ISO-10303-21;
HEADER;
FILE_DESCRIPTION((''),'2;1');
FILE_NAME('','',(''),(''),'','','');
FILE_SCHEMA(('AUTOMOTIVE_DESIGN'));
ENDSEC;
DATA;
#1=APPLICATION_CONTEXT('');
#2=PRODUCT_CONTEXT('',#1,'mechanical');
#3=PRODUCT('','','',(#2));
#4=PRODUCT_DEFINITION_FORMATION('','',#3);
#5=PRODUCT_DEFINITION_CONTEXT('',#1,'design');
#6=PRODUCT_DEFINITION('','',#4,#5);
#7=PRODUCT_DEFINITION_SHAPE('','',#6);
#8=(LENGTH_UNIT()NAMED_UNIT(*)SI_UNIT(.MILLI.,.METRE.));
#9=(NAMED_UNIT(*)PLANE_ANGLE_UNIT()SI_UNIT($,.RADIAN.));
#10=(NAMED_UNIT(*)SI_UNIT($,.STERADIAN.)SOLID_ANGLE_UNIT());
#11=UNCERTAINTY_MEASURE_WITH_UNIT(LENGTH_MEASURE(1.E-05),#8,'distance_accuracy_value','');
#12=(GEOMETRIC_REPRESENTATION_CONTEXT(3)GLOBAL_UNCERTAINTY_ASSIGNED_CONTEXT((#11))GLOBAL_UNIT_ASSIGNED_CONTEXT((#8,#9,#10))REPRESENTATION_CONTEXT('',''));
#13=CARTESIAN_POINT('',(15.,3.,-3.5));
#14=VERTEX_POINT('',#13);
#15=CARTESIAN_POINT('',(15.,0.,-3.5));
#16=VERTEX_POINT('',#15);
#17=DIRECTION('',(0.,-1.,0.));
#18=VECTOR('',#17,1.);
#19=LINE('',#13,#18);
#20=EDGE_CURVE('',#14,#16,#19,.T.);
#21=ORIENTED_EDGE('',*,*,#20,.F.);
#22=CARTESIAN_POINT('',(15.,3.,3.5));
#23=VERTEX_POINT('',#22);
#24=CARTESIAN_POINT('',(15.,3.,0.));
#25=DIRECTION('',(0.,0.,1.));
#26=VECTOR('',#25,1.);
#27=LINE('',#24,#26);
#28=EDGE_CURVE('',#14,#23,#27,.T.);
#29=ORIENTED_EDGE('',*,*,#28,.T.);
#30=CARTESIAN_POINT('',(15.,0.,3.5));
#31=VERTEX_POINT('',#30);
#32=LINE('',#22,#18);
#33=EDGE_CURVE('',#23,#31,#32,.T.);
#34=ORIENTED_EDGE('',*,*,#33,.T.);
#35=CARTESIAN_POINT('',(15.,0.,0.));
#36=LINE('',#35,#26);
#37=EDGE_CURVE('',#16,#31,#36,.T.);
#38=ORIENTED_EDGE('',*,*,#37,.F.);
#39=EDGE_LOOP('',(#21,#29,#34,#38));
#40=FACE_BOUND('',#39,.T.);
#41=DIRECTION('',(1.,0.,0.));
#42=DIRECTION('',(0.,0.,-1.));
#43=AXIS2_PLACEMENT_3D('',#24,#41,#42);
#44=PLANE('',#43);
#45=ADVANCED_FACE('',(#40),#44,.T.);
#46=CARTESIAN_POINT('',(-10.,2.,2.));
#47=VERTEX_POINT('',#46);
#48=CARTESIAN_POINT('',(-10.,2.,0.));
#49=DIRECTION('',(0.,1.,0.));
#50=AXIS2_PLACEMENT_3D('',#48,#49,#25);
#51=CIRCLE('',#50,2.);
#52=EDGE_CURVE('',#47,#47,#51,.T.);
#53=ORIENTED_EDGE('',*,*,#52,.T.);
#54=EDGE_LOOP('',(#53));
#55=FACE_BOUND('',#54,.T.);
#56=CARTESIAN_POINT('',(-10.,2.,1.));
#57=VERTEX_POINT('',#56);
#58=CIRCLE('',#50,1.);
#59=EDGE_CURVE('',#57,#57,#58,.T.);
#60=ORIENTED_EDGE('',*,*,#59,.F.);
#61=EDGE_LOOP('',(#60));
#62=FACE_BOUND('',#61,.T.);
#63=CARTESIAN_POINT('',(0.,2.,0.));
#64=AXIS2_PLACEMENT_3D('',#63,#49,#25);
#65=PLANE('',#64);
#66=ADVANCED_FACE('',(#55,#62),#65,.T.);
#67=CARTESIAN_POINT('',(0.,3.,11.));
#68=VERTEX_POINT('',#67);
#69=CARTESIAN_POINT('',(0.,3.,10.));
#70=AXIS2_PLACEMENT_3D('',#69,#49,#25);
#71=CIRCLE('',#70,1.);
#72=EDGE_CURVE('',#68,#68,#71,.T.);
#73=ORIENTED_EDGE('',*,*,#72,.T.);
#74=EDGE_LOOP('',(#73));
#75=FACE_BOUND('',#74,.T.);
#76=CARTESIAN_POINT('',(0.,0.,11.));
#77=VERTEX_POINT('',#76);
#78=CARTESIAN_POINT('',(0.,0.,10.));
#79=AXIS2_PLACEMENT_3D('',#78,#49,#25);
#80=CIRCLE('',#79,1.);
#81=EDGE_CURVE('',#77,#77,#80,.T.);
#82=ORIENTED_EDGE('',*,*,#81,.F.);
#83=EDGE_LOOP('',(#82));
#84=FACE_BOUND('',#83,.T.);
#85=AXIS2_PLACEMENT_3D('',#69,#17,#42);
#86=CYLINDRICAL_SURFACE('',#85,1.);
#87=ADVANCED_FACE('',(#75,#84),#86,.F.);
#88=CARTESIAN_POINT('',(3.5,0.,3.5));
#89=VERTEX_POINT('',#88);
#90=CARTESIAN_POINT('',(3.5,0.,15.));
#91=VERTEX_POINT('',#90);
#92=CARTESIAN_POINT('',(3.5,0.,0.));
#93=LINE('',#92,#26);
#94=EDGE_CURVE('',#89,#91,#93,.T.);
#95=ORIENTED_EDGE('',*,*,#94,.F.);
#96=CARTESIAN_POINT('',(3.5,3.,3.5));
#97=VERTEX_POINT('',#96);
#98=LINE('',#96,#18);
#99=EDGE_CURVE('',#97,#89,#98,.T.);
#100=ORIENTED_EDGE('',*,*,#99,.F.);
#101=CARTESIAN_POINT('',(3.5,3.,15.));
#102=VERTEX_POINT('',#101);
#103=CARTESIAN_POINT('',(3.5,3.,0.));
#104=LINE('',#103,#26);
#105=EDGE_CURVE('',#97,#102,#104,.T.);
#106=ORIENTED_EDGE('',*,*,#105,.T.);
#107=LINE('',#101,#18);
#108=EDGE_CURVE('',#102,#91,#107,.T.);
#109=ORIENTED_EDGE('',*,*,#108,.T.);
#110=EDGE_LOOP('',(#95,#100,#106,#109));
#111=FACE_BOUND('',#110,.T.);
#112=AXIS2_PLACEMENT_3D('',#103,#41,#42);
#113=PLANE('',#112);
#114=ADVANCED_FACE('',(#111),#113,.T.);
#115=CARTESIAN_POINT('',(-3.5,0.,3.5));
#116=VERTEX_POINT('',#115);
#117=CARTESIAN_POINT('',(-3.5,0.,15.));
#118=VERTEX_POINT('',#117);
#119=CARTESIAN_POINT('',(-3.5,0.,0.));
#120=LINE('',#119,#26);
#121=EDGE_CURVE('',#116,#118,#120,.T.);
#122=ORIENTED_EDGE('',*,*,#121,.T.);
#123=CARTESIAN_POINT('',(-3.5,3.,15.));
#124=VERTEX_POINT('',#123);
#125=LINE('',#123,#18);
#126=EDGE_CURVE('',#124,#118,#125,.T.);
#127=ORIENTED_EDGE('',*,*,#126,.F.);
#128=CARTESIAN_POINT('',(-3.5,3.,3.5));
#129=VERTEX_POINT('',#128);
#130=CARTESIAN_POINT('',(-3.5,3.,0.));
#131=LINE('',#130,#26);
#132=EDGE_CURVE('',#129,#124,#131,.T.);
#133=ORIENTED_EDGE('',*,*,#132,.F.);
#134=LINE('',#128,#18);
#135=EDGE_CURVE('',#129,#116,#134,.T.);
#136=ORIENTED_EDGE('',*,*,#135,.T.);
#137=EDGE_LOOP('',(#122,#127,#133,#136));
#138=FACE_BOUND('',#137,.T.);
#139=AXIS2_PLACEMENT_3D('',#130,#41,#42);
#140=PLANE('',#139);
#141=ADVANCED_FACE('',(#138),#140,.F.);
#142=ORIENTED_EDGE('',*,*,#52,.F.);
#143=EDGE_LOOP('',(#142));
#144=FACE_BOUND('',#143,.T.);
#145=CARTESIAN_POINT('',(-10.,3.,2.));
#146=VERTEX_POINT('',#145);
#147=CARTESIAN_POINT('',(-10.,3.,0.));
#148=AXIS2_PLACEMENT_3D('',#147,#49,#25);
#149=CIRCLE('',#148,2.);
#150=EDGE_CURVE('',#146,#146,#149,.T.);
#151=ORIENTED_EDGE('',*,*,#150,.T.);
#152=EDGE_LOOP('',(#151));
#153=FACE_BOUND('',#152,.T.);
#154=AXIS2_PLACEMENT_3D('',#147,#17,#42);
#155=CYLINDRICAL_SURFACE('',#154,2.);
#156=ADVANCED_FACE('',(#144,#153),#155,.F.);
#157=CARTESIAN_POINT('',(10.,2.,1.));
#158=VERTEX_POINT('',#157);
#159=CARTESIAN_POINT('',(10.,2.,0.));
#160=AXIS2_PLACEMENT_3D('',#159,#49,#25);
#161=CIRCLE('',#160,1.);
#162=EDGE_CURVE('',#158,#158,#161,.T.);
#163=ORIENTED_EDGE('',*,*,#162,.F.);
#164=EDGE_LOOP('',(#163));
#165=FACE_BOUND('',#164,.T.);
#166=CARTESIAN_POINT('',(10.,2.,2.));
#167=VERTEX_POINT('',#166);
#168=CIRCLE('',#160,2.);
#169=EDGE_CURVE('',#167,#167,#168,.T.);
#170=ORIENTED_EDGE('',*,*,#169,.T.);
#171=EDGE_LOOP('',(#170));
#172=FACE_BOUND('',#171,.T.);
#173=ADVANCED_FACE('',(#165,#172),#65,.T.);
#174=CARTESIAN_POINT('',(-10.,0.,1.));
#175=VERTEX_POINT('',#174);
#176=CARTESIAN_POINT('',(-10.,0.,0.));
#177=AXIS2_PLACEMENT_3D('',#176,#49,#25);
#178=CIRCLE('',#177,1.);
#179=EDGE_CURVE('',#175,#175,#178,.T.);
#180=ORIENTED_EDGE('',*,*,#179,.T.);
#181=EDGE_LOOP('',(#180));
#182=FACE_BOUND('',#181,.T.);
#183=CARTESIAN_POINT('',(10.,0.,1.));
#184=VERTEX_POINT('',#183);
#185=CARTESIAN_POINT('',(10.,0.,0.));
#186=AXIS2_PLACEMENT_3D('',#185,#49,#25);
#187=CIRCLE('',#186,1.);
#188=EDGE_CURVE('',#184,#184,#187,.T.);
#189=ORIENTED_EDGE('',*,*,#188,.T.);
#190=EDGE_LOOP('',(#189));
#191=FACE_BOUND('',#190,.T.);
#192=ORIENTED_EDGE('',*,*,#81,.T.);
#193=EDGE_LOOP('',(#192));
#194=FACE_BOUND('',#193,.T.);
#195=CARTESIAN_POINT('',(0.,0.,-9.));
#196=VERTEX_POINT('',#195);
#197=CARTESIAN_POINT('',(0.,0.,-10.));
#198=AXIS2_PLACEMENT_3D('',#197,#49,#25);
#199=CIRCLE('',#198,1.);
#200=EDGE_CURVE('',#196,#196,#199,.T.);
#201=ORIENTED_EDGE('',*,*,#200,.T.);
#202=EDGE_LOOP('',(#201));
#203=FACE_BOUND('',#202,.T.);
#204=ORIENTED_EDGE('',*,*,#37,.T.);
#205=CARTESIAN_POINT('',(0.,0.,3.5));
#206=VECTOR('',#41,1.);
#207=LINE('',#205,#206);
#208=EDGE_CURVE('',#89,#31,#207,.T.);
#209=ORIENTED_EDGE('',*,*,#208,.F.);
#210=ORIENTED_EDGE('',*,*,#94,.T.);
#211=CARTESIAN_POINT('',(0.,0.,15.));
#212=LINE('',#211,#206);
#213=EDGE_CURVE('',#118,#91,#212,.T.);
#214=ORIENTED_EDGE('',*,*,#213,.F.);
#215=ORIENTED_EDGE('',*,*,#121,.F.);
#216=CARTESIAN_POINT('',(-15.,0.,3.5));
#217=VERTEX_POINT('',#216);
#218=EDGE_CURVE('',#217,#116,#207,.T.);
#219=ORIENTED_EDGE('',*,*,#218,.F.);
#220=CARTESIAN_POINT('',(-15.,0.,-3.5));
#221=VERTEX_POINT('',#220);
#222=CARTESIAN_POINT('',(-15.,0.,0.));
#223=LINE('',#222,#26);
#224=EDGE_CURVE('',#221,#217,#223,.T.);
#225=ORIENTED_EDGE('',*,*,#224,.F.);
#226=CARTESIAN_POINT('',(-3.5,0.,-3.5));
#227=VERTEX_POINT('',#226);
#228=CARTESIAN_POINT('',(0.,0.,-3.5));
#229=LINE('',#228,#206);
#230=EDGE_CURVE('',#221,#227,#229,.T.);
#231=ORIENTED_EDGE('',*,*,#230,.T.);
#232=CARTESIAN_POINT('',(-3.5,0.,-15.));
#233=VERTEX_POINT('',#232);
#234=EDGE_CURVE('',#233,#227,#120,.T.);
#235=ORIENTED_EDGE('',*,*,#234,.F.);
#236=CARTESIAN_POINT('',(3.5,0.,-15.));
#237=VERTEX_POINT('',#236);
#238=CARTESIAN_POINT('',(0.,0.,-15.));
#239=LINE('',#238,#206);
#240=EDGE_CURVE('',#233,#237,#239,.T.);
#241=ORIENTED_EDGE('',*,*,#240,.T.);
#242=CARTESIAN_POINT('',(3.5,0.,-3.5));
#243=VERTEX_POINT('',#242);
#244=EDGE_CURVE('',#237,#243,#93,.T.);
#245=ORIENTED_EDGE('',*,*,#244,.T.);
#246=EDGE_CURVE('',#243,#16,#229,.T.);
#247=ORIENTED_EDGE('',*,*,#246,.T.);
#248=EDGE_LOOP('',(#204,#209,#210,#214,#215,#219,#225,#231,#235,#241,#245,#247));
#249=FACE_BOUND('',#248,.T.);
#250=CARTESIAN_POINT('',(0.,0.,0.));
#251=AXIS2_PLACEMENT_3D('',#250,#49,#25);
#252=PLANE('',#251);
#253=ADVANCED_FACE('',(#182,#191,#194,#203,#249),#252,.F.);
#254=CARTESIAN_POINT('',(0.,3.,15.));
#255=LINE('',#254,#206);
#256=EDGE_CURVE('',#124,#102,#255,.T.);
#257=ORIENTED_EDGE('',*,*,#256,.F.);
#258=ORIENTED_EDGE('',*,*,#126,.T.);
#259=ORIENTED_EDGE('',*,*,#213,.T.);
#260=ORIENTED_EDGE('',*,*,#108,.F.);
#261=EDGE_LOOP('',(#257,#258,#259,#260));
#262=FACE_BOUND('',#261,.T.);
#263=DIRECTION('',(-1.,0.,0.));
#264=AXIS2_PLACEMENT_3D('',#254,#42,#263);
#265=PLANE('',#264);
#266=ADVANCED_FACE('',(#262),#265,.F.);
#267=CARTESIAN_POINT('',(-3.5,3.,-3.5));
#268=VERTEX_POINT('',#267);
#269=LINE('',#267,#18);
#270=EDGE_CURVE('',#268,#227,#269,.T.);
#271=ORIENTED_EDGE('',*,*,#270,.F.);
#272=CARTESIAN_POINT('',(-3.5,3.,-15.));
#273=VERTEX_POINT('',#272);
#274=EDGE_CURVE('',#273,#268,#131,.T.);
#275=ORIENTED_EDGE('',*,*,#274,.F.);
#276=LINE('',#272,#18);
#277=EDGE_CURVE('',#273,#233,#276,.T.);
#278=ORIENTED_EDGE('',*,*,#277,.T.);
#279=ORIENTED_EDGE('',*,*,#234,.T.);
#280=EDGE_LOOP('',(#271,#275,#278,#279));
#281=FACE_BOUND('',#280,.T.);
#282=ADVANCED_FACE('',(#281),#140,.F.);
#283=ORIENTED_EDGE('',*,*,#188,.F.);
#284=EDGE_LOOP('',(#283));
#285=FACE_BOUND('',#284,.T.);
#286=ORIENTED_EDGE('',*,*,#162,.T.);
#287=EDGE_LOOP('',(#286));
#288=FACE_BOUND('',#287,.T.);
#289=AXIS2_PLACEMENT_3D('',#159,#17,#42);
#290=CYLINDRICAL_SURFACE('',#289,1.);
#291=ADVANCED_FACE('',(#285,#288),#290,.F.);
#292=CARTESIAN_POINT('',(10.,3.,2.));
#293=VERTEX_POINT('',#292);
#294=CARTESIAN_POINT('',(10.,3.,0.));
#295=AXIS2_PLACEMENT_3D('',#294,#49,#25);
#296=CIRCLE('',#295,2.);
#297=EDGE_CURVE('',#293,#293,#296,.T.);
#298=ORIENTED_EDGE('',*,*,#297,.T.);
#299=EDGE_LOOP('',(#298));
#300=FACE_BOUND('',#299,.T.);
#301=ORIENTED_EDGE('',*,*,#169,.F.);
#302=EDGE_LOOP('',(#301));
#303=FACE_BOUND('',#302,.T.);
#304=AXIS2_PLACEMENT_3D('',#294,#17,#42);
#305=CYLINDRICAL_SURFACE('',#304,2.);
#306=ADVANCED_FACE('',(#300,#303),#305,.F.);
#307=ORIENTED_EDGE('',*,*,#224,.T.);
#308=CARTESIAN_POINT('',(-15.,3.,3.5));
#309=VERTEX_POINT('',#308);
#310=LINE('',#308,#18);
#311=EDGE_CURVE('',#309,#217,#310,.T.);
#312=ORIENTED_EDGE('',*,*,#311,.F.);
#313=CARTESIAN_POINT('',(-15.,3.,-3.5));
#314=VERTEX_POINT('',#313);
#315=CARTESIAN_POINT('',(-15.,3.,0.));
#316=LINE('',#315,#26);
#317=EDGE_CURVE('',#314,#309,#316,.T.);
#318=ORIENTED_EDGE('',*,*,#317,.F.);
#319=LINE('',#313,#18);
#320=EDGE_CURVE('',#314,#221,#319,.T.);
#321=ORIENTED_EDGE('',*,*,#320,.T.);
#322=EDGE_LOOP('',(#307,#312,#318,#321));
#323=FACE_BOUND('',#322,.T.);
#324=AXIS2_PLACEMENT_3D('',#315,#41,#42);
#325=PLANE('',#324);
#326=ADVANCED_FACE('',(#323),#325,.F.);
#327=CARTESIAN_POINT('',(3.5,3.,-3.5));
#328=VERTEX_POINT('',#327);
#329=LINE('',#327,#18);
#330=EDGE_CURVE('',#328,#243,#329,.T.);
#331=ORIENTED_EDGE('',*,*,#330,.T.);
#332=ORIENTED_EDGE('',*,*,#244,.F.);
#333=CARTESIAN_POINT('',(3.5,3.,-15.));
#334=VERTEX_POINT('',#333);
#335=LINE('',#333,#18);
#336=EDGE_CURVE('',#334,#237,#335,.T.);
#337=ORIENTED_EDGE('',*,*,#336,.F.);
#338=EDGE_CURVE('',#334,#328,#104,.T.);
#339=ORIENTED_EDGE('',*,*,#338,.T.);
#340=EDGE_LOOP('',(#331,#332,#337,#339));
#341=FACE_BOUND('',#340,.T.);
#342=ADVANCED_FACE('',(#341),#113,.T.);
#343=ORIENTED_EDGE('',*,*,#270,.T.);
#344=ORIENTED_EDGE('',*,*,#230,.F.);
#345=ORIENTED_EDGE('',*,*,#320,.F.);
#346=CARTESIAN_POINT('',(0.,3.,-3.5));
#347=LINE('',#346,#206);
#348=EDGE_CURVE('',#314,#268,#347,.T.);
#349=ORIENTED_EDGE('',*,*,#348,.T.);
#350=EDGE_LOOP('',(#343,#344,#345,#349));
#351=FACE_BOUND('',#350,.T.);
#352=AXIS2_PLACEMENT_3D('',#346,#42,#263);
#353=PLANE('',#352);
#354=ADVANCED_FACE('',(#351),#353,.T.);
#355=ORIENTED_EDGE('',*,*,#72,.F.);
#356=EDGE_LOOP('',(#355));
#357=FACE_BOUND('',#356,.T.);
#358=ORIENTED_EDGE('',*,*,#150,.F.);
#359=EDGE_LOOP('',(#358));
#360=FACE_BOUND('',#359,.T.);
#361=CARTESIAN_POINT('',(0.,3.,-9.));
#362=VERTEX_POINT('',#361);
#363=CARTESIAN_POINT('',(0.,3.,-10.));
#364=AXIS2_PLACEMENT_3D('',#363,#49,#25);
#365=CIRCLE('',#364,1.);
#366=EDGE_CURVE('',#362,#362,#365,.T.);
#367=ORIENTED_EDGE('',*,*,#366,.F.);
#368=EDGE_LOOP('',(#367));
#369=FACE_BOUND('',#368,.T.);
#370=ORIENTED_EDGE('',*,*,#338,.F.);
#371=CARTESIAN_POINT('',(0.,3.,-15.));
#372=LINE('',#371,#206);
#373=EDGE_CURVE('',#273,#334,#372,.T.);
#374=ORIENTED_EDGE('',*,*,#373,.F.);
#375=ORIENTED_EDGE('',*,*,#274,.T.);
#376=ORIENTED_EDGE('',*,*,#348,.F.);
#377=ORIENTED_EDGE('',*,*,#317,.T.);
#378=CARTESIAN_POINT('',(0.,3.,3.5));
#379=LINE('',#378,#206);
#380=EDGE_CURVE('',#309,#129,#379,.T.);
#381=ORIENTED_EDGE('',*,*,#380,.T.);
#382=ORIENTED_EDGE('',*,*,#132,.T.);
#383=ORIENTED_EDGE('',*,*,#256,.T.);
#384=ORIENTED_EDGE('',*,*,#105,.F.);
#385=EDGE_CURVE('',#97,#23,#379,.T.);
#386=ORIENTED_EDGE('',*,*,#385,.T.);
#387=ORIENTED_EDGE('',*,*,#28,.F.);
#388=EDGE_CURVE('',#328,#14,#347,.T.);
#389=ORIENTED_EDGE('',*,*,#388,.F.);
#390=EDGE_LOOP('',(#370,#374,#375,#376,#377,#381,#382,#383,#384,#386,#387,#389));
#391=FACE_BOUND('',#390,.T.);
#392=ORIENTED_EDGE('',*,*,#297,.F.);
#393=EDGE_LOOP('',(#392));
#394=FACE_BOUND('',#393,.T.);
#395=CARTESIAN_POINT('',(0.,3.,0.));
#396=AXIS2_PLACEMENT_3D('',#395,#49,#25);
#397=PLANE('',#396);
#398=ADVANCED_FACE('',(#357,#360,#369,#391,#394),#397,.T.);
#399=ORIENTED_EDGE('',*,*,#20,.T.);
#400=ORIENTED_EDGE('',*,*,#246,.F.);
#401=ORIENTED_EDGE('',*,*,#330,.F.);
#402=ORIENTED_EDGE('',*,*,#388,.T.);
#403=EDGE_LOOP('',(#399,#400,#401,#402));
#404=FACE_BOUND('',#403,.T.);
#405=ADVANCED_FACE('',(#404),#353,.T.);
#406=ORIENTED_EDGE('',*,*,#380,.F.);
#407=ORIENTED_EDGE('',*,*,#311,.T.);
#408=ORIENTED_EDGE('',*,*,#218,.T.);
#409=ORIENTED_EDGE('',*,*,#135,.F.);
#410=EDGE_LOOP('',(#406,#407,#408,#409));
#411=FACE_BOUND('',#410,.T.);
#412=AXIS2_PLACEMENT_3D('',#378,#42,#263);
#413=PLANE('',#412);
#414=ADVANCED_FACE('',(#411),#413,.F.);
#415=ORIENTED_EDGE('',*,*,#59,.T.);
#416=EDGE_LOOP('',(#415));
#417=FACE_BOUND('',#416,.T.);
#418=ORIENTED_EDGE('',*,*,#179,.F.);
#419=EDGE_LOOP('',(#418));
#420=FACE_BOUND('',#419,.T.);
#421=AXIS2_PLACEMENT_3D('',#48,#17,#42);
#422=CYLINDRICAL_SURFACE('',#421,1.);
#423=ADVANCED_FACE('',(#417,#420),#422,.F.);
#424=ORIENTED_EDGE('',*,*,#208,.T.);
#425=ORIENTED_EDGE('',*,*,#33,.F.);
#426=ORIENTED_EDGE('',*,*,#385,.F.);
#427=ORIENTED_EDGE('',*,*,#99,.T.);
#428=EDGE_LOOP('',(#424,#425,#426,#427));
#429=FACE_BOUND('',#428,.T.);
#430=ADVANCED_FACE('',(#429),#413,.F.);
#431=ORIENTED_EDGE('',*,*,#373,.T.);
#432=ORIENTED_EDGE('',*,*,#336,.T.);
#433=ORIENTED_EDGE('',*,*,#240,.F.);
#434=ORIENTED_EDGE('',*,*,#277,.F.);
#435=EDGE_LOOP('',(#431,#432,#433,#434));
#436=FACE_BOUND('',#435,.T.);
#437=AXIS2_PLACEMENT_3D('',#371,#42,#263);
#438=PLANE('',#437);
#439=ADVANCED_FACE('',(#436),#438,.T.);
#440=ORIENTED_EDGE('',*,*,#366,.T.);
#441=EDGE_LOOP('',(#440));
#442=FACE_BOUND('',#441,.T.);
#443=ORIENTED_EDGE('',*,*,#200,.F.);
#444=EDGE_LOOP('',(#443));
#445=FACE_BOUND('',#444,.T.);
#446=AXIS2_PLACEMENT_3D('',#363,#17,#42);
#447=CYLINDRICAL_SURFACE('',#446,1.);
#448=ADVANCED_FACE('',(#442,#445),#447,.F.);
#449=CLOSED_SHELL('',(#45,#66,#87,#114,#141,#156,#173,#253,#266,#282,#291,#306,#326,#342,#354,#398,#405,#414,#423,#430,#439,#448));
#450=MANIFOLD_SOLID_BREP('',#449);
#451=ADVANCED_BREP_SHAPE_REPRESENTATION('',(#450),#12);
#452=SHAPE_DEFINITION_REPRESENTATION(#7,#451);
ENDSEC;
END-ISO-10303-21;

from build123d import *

# Parameters (mm, degrees)
SKETCH1_R           = 2
SKETCH1_R_2         = 1
BOSS_EXTRUDE1_DEPTH = 3
SKETCH1_3_R         = 2
SKETCH1_3_R_2       = 1
BOSS_EXTRUDE2_DEPTH = 2


with BuildPart() as part:
    # Sketch1 → Boss-Extrude1 (new body)
    with BuildSketch(Plane(origin=(0, 0, 0), x_dir=(1, 0, 0), z_dir=(0, 1, 0))):
        Polygon((-3.5, 3.5), (-15, 3.5), (-15, -3.5), (-3.5, -3.5), (-3.5, -15), (3.5, -15), (3.5, -3.5), (15, -3.5), (15, 3.5), (3.5, 3.5), (3.5, 15), (-3.5, 15), align=None)
        with Locations((-10, 0)):
            Circle(SKETCH1_R, mode=Mode.SUBTRACT)
        with Locations((10, 0)):
            Circle(SKETCH1_R, mode=Mode.SUBTRACT)
        with Locations((0, 10)):
            Circle(SKETCH1_R_2, mode=Mode.SUBTRACT)
        with Locations((0, -10)):
            Circle(SKETCH1_R_2, mode=Mode.SUBTRACT)
    extrude(amount=BOSS_EXTRUDE1_DEPTH)

    # Sketch1<3> → Boss-Extrude2 (add)
    # profile 1 of 2: a face of its own
    with BuildSketch(Plane(origin=(0, 0, 0), x_dir=(1, 0, 0), z_dir=(0, 1, 0))):
        with Locations((10, 0)):
            Circle(SKETCH1_3_R)
        with Locations((10, 0)):
            Circle(SKETCH1_3_R_2, mode=Mode.SUBTRACT)
    # profile 2 of 2: a face of its own
    with BuildSketch(Plane(origin=(0, 0, 0), x_dir=(1, 0, 0), z_dir=(0, 1, 0))):
        with Locations((-10, 0)):
            Circle(SKETCH1_3_R)
        with Locations((-10, 0)):
            Circle(SKETCH1_3_R_2, mode=Mode.SUBTRACT)
    extrude(amount=BOSS_EXTRUDE2_DEPTH)


solid = part.part
